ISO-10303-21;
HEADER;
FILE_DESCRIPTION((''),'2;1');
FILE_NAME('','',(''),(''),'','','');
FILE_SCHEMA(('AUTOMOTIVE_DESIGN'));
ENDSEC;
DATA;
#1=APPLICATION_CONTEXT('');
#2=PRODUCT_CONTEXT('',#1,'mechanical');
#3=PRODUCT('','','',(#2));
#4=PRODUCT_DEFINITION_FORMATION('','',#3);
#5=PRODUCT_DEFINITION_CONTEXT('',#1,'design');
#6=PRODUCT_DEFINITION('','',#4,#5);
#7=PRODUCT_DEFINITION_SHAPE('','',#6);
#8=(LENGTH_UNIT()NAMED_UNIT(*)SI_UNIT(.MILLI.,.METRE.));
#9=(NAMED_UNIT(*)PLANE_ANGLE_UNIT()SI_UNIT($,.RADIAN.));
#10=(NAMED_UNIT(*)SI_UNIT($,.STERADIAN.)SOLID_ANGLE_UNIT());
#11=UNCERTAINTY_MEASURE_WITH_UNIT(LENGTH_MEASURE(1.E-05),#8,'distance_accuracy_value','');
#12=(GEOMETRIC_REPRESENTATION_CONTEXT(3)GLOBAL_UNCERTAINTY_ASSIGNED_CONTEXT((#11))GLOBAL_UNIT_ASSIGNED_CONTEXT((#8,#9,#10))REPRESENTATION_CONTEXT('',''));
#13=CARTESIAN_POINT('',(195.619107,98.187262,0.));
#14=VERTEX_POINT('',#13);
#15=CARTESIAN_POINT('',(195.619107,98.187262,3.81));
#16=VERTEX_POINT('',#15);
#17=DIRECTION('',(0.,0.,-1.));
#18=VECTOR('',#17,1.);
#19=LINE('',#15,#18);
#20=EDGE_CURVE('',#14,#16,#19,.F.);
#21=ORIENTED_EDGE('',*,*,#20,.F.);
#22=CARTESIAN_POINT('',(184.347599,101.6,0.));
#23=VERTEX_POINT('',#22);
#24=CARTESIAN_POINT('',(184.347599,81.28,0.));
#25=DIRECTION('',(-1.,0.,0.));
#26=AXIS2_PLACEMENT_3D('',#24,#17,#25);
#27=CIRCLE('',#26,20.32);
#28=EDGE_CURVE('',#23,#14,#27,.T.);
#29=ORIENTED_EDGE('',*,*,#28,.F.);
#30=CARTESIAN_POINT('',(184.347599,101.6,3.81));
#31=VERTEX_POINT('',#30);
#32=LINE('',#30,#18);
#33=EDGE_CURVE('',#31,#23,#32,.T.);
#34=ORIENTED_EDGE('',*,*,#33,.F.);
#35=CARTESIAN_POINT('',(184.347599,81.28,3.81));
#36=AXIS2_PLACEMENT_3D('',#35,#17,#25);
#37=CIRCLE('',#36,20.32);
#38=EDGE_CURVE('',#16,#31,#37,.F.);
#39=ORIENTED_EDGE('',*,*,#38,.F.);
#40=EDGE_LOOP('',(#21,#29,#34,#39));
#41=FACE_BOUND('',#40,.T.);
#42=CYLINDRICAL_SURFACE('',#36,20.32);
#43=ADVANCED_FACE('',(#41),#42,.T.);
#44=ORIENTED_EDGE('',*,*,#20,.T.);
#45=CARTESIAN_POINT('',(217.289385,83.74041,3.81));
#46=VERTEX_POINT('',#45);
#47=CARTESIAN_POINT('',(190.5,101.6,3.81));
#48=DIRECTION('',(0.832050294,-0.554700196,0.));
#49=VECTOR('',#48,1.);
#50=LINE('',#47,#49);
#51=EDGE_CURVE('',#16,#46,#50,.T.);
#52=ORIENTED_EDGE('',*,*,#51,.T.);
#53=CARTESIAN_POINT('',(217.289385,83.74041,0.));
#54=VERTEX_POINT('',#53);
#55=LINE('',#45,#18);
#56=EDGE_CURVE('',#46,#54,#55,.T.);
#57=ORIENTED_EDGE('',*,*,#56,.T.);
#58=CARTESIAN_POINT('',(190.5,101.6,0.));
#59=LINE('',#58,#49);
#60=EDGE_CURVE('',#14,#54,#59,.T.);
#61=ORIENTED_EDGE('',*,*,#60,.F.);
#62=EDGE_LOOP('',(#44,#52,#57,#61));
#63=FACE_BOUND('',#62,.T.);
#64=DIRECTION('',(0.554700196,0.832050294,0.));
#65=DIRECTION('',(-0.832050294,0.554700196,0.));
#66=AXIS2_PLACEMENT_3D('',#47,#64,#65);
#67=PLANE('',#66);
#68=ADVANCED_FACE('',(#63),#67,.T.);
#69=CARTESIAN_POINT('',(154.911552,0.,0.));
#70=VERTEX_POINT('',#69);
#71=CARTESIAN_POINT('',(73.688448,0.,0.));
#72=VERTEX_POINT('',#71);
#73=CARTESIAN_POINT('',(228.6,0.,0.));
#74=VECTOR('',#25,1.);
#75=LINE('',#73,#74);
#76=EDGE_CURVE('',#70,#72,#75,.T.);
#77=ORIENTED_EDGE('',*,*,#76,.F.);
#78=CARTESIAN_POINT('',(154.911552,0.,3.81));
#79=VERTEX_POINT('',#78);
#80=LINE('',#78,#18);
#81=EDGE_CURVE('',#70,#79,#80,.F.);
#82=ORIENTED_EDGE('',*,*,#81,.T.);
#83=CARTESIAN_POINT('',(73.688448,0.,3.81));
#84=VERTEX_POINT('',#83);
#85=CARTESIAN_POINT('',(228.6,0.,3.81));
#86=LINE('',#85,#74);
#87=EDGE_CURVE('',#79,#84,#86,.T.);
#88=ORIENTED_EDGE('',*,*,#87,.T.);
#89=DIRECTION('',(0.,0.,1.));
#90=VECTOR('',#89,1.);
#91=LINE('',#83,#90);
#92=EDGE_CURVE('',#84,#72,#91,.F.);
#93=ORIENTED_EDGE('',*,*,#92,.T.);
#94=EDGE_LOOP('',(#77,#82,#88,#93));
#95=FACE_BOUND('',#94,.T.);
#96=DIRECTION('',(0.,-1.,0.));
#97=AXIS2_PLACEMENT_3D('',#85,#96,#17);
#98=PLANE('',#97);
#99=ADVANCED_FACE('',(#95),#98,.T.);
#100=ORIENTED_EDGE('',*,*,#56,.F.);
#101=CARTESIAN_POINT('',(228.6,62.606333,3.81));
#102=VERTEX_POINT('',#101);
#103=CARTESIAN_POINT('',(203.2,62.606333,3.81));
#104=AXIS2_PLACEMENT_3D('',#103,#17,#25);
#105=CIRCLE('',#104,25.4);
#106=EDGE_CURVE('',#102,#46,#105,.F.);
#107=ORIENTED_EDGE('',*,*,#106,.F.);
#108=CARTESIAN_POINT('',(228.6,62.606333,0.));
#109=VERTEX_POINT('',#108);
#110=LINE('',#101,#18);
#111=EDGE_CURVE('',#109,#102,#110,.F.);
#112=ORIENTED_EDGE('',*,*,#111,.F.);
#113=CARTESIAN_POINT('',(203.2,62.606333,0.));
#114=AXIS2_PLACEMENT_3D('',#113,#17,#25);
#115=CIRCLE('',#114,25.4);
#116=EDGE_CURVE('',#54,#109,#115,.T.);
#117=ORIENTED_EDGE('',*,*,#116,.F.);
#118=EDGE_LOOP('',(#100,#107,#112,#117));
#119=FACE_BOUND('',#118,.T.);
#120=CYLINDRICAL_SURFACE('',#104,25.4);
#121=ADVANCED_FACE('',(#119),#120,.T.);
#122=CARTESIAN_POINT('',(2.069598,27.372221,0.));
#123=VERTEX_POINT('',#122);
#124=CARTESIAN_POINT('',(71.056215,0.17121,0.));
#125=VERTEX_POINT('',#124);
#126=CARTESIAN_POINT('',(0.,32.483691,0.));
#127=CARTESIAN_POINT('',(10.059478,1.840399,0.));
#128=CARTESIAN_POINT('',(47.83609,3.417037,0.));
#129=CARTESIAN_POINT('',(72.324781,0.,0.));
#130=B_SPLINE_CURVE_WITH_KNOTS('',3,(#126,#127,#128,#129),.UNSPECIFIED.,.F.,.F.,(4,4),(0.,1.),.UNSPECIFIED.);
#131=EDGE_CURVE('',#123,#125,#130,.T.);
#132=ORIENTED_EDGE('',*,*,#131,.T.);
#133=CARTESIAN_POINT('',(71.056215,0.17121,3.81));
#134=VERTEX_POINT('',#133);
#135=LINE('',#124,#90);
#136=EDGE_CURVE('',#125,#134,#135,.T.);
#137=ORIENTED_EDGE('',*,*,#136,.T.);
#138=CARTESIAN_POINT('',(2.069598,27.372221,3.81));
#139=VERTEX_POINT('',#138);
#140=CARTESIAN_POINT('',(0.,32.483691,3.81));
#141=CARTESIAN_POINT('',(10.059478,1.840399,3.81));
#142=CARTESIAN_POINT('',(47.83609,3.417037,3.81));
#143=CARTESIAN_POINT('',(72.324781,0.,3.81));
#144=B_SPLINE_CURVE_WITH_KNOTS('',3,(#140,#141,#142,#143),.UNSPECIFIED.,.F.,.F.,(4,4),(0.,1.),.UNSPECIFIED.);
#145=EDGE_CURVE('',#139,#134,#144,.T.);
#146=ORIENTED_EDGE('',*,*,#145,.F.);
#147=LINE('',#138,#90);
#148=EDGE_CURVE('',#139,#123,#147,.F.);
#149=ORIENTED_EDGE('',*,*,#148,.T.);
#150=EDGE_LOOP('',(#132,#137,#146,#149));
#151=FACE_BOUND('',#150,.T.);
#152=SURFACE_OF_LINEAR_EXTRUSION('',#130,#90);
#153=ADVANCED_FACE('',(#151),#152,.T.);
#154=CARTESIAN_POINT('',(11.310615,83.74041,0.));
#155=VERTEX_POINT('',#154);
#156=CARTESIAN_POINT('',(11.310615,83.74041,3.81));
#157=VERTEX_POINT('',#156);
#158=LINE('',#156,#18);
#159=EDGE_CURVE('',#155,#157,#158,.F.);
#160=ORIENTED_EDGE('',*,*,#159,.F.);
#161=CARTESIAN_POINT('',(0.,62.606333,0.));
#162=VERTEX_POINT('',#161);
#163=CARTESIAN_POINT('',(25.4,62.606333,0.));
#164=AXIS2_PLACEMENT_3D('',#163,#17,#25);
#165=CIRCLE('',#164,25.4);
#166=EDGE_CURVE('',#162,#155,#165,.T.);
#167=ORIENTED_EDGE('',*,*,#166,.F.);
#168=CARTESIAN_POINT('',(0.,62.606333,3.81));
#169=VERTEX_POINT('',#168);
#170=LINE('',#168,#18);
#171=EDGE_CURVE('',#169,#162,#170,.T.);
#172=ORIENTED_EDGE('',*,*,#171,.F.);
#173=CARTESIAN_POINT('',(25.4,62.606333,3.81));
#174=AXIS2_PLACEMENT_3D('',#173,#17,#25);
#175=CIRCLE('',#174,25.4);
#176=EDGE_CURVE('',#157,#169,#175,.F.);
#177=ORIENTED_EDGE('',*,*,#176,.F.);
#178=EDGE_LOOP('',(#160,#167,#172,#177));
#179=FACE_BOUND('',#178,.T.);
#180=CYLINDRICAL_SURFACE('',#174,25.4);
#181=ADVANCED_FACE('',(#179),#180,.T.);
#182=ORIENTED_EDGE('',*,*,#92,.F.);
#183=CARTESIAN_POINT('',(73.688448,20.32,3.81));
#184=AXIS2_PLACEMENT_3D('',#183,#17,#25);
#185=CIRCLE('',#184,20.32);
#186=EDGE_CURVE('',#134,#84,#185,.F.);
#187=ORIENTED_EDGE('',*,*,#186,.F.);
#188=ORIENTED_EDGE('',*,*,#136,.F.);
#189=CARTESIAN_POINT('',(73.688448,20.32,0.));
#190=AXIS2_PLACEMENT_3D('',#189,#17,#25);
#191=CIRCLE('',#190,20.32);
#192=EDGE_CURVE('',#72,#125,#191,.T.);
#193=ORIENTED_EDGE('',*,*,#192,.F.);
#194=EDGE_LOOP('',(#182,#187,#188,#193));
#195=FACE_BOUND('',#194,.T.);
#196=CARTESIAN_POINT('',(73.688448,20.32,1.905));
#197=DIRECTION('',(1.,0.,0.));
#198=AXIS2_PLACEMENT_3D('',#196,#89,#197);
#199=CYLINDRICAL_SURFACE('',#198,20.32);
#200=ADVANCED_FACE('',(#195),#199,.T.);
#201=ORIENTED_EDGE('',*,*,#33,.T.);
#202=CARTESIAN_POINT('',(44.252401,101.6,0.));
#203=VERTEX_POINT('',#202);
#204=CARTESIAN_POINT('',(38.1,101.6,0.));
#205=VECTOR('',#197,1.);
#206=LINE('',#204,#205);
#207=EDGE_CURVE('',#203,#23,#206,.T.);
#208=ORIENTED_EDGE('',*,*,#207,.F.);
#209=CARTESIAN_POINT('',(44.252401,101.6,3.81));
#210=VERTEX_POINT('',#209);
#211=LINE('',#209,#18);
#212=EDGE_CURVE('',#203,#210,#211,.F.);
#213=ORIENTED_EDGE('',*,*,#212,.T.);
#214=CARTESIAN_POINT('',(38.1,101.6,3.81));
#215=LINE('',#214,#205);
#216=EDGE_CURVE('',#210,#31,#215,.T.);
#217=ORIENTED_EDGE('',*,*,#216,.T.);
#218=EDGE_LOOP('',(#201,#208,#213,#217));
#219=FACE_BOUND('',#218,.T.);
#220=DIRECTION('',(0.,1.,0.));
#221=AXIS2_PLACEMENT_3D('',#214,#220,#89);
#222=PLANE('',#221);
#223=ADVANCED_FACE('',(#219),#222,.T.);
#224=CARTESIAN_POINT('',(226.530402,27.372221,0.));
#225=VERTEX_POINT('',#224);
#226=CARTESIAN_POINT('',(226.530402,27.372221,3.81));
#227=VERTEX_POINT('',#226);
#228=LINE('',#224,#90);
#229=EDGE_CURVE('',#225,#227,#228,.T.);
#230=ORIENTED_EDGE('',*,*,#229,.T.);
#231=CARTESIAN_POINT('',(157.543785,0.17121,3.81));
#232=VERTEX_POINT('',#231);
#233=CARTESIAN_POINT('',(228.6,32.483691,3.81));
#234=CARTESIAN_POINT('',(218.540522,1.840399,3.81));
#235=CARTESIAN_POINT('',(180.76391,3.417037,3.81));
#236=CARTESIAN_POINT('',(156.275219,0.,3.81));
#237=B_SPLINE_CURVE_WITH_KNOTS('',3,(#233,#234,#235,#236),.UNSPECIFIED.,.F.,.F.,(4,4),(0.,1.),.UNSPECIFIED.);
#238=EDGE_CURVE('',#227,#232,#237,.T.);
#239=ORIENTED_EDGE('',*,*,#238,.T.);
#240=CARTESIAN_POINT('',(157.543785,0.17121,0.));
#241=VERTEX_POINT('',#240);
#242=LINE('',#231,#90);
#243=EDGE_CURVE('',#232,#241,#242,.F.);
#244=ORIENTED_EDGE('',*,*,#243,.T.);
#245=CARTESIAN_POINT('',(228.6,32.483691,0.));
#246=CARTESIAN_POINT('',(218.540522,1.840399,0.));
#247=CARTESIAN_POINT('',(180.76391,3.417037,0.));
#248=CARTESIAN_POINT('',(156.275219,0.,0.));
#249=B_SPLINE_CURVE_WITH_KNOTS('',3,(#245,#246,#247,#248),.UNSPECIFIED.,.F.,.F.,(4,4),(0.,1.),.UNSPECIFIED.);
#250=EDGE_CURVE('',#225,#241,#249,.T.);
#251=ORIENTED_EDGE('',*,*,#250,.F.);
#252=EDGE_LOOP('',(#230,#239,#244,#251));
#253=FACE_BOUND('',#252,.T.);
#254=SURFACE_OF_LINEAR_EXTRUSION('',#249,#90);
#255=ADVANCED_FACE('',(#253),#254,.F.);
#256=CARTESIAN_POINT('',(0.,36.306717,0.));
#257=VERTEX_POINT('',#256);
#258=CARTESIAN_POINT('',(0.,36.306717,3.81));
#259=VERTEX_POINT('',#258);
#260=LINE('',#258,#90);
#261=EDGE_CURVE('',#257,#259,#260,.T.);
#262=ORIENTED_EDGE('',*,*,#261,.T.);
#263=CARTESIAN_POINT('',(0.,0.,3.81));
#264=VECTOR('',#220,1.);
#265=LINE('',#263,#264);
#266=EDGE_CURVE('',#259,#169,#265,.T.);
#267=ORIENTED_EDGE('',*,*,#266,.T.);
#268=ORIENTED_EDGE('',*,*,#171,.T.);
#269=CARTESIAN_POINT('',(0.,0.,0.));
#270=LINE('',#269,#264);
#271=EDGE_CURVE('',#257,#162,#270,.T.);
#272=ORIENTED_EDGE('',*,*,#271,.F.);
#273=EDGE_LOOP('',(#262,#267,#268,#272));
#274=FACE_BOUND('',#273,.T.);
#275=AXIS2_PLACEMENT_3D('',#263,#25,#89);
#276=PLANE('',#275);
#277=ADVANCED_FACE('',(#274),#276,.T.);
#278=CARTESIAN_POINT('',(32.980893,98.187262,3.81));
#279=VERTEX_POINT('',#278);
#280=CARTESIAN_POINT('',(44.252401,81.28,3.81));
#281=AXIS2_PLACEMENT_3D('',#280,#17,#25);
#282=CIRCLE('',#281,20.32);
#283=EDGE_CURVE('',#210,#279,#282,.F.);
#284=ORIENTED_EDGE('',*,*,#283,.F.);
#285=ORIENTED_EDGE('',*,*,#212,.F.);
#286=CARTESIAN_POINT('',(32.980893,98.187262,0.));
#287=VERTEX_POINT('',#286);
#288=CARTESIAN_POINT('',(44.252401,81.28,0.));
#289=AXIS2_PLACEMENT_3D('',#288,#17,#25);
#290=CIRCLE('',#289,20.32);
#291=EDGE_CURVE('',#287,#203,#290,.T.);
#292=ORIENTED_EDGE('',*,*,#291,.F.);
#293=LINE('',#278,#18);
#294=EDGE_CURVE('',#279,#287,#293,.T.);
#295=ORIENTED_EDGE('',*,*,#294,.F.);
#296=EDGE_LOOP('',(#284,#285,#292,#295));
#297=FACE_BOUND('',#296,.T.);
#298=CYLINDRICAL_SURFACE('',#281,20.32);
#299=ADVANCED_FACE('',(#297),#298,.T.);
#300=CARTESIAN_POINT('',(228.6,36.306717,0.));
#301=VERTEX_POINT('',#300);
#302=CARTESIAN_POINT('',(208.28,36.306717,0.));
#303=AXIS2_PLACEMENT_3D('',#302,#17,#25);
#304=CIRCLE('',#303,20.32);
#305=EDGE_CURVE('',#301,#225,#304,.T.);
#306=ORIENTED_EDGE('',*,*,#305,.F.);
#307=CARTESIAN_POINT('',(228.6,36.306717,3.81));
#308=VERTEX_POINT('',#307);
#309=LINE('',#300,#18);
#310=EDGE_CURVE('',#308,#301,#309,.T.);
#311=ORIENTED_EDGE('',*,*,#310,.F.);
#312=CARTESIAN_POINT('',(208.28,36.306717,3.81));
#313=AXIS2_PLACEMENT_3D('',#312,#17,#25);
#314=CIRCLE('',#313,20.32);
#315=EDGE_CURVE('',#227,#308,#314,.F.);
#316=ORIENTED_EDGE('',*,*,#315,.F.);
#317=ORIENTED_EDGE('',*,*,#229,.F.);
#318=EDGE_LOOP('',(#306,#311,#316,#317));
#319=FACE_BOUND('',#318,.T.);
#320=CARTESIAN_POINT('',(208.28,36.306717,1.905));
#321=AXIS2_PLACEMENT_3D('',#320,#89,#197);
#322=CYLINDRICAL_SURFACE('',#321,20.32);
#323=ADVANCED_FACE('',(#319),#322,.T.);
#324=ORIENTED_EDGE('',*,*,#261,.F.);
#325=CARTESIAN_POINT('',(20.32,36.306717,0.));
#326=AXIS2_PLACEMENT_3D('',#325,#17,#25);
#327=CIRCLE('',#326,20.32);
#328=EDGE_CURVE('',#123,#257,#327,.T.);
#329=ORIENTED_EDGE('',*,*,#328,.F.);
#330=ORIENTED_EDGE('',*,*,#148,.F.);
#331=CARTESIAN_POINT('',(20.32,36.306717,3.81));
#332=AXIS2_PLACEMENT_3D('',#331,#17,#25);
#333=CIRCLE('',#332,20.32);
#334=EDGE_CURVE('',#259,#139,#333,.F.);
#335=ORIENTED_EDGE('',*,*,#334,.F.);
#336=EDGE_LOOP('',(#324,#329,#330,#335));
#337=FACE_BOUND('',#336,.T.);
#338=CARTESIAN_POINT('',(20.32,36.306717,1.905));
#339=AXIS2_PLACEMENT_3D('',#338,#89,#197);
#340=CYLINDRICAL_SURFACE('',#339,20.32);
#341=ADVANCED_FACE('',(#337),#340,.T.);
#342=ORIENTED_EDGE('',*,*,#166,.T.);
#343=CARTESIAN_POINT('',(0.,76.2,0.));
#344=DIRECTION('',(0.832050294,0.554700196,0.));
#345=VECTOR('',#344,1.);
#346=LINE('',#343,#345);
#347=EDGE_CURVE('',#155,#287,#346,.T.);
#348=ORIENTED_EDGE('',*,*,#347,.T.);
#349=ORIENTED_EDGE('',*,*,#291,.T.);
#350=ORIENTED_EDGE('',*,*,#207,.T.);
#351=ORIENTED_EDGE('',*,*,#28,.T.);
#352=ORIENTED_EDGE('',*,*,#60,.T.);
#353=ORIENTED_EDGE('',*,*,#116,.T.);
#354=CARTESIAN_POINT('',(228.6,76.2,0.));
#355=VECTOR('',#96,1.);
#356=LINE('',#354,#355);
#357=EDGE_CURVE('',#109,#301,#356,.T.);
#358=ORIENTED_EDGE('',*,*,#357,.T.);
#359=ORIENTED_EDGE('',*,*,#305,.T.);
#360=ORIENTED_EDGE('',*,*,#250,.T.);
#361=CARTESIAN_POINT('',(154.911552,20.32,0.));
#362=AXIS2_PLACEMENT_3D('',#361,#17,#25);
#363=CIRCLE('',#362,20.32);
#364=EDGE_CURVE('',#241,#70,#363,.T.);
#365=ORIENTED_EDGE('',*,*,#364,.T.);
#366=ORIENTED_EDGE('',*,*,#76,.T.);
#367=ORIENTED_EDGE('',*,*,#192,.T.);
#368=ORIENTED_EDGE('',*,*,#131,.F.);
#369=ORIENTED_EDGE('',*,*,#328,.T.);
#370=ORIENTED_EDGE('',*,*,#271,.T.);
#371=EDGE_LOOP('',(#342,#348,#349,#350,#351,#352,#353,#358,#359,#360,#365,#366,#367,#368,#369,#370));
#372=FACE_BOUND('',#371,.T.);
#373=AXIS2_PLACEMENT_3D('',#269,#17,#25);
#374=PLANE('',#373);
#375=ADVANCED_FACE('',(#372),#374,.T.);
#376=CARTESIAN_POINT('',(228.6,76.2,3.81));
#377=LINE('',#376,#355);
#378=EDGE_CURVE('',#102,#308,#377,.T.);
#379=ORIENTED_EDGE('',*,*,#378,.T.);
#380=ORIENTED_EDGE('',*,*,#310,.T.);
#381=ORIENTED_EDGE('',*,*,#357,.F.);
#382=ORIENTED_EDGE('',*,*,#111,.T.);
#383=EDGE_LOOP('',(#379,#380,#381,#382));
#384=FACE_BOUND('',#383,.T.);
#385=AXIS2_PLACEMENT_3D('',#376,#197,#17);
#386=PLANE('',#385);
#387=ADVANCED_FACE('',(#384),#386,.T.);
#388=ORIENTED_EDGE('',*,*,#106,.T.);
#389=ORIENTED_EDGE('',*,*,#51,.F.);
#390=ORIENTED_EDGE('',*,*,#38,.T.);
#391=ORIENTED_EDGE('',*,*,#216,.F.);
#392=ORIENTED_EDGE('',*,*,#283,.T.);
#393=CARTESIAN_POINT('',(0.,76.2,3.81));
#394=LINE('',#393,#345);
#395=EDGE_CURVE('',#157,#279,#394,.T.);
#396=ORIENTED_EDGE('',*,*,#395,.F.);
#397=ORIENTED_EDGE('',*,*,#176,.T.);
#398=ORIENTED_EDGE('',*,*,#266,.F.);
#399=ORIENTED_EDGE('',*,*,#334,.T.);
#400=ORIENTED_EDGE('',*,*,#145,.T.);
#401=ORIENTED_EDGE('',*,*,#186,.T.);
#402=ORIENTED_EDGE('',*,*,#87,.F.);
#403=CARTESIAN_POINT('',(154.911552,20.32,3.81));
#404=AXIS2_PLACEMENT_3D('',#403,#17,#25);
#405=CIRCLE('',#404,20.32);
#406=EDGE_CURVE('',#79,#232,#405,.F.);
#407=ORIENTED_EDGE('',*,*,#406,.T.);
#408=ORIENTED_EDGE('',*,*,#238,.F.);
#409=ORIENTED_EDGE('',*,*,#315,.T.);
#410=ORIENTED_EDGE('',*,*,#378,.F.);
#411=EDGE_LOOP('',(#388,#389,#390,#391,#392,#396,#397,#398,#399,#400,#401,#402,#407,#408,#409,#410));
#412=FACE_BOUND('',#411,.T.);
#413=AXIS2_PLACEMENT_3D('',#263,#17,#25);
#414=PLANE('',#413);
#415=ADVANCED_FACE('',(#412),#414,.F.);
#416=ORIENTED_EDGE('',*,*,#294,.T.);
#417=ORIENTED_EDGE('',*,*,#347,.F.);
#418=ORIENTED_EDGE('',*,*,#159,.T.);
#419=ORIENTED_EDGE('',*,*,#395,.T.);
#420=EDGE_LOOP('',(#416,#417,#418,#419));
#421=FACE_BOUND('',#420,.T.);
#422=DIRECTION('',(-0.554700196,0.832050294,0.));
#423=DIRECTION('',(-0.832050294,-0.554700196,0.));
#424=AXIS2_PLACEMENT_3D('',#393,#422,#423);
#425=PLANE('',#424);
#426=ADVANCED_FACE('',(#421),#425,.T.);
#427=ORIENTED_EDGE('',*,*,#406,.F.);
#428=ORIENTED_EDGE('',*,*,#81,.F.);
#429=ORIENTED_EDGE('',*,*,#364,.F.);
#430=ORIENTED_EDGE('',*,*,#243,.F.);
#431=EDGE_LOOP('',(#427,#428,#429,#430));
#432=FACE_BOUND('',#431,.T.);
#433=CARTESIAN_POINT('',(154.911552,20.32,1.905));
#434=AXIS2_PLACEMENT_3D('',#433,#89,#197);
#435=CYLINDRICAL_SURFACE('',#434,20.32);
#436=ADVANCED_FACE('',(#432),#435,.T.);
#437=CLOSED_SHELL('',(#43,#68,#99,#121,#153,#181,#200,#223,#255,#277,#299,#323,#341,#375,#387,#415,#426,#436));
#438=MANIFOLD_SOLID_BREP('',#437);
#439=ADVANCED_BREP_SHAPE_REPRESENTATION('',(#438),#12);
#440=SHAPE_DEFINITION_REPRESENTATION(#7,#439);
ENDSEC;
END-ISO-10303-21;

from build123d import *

# Parameters (mm, degrees)
BOSS_EXTRUDE1_DEPTH = 3.81
FILLET1_R           = 20.32
FILLET3_R           = 25.4
CUT_EXTRUDE8_DEPTH  = 251.19
FILLET4_R           = 20.32
FILLET5_R           = 20.32


with BuildPart() as part:
    # Sketch1 → Boss-Extrude1 (new body)
    with BuildSketch(Plane.XY):
        Polygon((0, 76.2), (38.1, 101.6), (190.5, 101.6), (228.6, 76.2), (228.6, 0), (0, 0), align=None)
    extrude(amount=BOSS_EXTRUDE1_DEPTH)

    # Fillet1
    fillet1_edges = [part.edges().sort_by_distance(p)[0] for p in [
        (190.5, 101.6, 1.905),
        (38.1, 101.6, 1.905),
    ]]
    fillet(fillet1_edges, radius=FILLET1_R)

    # Fillet3
    fillet3_edges = [part.edges().sort_by_distance(p)[0] for p in [
        (0, 76.2, 1.905),
        (228.6, 76.2, 1.905),
    ]]
    fillet(fillet3_edges, radius=FILLET3_R)

    # Sketch2 → Cut-Extrude8 (cut, through all)
    with BuildSketch(Plane.XY.offset(3.81)):
        with BuildLine():
            Line((72.324780666, 0), (0, 0))
            Line((0, 0), (0, 32.483690967))
            add(Edge.make_bspline(
                [(0, 32.483690967), (10.059478489, 1.840398762), (47.836090043, 3.417036799), (72.324780666, 0)],
                knots=[0, 0, 0, 0, 1, 1, 1, 1], degree=3))
        make_face()
        with BuildLine():
            Line((156.275219334, 0), (228.6, 0))
            Line((228.6, 0), (228.6, 32.483690967))
            add(Edge.make_bspline(
                [(228.6, 32.483690967), (218.540521511, 1.840398762), (180.763909957, 3.417036799), (156.275219334, 0)],
                knots=[0, 0, 0, 0, 1, 1, 1, 1], degree=3))
        make_face()
    extrude(amount=-CUT_EXTRUDE8_DEPTH, mode=Mode.SUBTRACT)

    # Fillet4
    fillet4_edges = [part.edges().sort_by_distance(p)[0] for p in [
        (0, 32.483690967, 1.905),
        (228.6, 32.483690967, 1.905),
    ]]
    fillet(fillet4_edges, radius=FILLET4_R)

    # Fillet5
    fillet5_edges = [part.edges().sort_by_distance(p)[0] for p in [
        (72.324780666, 0, 1.905),
        (156.275219334, 0, 1.905),
    ]]
    fillet(fillet5_edges, radius=FILLET5_R)


solid = part.part
